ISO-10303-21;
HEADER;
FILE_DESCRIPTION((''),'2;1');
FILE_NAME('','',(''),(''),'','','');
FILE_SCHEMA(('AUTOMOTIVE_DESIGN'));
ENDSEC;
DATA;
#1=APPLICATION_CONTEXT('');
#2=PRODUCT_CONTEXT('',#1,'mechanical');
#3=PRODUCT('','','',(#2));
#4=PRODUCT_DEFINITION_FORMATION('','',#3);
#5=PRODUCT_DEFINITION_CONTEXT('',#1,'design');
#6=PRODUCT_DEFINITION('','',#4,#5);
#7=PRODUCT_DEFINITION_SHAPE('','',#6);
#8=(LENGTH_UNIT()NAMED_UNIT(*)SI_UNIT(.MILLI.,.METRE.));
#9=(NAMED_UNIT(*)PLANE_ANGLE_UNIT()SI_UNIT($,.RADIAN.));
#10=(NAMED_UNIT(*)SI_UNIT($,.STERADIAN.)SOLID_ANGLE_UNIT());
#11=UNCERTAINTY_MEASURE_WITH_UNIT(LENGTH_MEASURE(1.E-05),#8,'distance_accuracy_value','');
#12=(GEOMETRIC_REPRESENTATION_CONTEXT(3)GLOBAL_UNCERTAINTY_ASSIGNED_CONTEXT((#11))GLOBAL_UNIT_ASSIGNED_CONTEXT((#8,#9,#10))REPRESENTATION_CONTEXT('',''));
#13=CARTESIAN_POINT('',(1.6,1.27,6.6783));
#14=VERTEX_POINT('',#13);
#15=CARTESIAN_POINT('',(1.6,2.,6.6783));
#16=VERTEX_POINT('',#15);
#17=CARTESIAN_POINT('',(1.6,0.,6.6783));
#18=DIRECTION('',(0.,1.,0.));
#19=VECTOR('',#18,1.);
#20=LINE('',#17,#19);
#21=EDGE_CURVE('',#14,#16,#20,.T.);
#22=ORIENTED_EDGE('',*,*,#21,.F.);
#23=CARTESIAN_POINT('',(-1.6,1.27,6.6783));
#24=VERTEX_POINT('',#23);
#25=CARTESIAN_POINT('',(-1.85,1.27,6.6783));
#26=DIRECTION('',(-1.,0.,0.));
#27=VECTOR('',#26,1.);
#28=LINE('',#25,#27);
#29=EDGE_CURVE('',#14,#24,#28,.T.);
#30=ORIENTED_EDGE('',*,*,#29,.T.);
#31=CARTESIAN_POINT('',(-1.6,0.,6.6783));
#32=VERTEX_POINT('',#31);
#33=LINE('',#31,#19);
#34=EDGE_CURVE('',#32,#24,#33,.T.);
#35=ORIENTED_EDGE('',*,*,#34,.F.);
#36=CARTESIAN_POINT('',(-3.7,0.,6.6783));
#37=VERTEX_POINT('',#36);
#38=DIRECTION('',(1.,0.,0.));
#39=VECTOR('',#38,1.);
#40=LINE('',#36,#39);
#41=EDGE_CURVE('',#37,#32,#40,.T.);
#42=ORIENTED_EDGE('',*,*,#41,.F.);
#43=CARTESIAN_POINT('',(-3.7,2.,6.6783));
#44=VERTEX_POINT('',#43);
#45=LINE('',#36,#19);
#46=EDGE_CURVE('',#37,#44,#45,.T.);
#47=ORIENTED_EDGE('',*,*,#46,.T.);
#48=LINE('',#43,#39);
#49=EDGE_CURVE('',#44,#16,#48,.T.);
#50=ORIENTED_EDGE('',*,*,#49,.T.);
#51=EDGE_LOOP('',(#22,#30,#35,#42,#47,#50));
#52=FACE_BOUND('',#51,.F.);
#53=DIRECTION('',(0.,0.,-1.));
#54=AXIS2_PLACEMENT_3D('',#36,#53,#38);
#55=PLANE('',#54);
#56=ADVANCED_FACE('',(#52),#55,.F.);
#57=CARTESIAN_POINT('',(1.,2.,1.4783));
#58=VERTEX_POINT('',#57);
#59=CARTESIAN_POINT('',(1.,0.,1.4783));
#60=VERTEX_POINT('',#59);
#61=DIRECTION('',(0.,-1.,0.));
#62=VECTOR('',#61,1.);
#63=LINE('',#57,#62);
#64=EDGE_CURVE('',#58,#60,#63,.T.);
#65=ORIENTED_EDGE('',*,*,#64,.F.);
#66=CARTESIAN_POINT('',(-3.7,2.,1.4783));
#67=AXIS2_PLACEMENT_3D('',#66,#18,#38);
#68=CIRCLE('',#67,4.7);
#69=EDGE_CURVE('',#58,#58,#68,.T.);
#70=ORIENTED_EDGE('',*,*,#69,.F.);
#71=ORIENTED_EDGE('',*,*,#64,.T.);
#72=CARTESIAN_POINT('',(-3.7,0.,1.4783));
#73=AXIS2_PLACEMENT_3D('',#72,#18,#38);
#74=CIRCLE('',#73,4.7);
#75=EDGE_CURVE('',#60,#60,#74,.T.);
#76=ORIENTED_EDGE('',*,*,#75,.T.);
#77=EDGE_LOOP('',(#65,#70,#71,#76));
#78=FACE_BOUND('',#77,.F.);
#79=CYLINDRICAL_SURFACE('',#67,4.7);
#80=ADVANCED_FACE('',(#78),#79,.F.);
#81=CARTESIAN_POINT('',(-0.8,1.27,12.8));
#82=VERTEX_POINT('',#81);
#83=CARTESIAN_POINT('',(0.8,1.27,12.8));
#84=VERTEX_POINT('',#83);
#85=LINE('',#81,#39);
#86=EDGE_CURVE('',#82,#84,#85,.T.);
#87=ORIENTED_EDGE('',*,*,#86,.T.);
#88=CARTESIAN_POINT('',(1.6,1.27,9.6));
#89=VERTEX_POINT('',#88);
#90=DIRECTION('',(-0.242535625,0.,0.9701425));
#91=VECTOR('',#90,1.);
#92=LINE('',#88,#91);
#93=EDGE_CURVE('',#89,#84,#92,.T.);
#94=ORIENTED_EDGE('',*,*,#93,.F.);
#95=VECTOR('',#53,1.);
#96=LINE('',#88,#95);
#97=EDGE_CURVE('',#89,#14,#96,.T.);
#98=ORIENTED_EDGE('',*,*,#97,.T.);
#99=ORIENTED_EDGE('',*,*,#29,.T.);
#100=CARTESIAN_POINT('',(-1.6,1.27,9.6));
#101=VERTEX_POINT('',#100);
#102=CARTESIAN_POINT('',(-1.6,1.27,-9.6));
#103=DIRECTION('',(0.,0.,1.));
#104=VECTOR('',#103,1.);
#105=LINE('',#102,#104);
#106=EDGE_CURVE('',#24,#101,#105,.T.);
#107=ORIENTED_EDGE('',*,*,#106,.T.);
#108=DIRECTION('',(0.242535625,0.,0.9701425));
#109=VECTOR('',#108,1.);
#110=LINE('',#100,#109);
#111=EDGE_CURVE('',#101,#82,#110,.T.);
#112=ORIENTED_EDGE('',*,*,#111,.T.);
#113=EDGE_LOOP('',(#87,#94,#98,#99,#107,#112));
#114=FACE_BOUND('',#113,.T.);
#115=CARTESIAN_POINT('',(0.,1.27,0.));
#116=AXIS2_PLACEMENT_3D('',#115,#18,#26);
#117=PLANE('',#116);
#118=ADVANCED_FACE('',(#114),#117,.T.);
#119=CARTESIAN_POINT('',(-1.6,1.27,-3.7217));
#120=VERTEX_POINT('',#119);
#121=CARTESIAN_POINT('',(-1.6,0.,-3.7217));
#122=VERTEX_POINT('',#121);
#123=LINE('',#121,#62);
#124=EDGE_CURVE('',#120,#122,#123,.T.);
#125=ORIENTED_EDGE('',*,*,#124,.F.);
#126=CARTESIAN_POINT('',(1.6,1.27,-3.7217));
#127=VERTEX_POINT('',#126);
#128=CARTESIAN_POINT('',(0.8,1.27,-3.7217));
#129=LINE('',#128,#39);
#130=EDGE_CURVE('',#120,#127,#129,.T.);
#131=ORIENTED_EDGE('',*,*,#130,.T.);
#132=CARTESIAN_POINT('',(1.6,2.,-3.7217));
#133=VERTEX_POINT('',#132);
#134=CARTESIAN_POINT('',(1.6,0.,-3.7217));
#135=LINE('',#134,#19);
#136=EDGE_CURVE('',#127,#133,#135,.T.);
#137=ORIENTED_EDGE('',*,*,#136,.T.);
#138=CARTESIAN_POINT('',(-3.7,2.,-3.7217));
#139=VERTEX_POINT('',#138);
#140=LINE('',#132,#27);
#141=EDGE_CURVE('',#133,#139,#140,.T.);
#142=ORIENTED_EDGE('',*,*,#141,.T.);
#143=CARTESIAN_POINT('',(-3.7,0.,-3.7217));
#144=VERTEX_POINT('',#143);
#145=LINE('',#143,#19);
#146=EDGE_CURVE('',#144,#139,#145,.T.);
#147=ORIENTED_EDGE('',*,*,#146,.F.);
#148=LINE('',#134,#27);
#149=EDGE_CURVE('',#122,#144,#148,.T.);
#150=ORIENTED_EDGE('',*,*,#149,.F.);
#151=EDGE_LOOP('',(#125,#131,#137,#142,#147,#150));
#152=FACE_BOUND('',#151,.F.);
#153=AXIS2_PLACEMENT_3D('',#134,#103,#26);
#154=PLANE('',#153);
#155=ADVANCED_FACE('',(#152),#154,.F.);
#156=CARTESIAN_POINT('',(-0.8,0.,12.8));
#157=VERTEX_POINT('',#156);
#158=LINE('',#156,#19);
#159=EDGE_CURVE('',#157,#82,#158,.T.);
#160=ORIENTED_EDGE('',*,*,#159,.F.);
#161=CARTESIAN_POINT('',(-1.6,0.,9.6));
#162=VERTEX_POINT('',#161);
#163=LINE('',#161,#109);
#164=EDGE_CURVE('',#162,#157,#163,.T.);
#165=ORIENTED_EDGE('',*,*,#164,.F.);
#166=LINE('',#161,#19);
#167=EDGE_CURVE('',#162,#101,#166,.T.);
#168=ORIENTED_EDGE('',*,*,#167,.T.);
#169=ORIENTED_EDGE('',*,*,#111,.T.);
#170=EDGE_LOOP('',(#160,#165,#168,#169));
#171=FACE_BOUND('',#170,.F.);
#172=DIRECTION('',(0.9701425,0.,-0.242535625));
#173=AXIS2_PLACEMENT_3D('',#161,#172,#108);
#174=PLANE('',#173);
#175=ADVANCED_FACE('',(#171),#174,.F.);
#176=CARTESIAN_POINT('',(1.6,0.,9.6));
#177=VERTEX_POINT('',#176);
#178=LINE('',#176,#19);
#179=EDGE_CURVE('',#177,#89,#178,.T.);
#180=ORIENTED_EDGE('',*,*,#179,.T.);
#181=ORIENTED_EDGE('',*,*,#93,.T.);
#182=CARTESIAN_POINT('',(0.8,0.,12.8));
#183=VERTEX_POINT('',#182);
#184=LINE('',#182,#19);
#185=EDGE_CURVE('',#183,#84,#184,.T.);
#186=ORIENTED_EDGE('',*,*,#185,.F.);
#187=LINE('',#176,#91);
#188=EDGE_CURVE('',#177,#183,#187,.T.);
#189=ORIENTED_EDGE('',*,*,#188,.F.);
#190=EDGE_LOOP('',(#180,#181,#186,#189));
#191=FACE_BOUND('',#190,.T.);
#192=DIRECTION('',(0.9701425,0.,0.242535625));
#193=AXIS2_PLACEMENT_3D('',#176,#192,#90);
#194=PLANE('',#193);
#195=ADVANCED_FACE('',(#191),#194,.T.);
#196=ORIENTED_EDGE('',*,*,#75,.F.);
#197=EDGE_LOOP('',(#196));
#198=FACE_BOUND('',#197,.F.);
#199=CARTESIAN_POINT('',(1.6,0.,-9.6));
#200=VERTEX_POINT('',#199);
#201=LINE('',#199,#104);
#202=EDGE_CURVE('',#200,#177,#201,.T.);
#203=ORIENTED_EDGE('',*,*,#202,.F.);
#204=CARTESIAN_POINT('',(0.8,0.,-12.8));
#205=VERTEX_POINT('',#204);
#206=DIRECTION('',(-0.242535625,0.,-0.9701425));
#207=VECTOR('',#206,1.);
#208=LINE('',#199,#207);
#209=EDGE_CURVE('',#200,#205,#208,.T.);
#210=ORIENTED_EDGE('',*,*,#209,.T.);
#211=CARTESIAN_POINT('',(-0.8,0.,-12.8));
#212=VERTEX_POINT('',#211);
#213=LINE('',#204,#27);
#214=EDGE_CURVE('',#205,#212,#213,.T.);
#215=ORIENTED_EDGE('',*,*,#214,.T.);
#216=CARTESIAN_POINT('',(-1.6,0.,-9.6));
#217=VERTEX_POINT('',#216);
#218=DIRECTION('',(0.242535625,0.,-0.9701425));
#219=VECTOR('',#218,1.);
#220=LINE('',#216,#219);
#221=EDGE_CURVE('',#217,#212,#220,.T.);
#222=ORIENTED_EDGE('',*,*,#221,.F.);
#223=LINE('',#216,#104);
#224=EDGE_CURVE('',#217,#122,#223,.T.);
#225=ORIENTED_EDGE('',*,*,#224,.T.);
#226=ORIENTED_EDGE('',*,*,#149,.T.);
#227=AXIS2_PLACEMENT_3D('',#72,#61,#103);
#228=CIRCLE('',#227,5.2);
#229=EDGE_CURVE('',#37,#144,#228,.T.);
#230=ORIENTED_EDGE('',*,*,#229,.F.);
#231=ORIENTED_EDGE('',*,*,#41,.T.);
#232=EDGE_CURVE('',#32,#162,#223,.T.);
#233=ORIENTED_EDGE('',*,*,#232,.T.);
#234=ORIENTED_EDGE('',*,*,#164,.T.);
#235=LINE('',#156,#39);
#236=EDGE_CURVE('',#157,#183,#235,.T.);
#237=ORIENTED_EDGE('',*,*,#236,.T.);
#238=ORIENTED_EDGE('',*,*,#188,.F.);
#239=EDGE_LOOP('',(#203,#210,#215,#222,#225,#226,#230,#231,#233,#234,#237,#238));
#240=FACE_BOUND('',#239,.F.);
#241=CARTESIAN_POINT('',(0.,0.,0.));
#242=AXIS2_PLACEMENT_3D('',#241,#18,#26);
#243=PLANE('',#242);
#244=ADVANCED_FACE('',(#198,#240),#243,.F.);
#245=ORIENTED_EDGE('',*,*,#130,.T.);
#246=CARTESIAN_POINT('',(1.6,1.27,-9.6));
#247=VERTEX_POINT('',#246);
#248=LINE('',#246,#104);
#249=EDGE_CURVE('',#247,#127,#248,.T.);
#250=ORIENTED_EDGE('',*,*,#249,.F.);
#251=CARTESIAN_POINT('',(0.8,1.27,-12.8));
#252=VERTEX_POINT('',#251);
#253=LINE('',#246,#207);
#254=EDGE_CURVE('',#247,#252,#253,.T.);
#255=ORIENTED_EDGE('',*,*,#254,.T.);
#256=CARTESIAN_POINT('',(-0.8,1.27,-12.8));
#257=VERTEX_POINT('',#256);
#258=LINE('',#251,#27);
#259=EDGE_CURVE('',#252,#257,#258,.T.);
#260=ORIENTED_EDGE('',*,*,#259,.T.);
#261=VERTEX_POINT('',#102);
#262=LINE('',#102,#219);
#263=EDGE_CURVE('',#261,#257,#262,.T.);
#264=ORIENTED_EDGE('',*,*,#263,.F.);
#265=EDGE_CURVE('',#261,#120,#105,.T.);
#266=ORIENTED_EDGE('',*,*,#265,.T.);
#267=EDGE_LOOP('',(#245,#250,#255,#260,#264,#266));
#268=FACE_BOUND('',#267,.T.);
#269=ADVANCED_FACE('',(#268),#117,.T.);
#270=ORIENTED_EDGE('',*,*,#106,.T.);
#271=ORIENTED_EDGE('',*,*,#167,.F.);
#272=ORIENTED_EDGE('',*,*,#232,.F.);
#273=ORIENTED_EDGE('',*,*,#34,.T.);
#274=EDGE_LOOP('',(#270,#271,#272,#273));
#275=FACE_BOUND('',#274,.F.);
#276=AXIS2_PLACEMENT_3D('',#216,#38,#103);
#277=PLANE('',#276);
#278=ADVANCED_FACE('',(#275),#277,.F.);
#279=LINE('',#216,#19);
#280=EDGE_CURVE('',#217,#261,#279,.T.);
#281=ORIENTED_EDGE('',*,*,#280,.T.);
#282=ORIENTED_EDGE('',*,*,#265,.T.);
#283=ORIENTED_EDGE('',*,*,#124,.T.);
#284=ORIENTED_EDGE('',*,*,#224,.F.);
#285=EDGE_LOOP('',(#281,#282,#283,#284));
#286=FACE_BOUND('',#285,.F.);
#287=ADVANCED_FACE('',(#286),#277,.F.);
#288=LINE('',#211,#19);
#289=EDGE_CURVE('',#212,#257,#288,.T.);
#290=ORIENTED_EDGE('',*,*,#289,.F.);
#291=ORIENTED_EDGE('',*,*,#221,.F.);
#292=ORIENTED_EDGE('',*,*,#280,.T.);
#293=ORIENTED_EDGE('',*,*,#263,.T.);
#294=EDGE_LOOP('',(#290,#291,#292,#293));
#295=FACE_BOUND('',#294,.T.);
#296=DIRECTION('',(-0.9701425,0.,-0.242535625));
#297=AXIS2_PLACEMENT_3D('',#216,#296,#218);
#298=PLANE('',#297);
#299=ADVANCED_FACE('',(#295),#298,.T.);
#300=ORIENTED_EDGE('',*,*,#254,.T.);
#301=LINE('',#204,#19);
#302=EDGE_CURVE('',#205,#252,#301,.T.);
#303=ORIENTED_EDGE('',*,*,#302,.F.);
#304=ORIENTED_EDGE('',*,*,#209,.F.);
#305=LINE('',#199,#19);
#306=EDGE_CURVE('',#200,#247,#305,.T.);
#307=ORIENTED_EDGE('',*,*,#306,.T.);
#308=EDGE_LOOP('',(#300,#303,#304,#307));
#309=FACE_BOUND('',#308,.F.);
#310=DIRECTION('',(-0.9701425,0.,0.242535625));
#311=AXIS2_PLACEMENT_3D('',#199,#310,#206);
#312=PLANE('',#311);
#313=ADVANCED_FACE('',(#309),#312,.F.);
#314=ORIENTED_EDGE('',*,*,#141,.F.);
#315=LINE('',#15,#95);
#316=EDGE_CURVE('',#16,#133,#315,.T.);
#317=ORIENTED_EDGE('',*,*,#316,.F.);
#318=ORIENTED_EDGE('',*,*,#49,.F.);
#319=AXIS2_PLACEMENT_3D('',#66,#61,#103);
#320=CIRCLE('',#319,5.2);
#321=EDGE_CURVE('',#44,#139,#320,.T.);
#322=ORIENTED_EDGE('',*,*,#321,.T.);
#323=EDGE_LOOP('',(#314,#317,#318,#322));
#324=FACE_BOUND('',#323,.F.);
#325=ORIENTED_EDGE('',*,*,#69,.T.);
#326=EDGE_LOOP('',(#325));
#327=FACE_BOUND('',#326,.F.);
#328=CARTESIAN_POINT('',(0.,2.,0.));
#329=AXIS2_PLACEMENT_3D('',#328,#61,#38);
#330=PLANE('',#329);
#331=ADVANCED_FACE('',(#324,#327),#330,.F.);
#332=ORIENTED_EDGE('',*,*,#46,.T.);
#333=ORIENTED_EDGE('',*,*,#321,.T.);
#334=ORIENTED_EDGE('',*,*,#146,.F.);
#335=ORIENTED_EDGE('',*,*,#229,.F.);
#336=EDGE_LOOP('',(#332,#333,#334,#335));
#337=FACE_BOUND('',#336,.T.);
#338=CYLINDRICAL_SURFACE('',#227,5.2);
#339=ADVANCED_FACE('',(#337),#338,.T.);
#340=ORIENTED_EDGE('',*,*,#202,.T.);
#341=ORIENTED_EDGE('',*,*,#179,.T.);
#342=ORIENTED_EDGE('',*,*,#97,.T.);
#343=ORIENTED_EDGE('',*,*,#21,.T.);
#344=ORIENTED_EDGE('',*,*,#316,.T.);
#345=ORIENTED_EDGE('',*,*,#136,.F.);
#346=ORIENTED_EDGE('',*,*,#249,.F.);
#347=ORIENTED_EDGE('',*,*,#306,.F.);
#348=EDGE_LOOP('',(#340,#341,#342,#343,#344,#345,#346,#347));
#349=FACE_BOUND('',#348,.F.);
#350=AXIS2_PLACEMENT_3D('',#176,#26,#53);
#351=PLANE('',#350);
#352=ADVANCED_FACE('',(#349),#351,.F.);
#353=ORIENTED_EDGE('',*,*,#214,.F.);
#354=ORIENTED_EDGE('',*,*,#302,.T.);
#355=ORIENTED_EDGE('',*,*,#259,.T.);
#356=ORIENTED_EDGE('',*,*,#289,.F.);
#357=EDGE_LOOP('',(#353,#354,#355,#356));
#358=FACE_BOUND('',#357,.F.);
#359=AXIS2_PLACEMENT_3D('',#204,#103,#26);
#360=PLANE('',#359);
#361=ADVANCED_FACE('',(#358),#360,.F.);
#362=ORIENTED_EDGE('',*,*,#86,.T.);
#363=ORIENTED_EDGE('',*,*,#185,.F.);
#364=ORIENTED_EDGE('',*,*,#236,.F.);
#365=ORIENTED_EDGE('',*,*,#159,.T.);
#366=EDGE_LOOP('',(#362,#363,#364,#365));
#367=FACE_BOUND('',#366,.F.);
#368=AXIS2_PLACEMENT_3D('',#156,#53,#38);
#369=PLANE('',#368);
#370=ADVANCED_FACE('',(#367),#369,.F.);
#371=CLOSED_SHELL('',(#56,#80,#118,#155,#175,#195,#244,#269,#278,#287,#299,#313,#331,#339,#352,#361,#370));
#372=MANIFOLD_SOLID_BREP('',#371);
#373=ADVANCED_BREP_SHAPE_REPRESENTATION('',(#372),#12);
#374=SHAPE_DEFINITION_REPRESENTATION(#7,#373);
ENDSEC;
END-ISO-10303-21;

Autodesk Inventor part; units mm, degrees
ref_plane "YZ Plane" through (0, 0, 0) normal (1, 0, 0) x (0, 1, 0)
ref_plane "XZ Plane" through (0, 0, 0) normal (0, 1, 0) x (-1, 0, 0)
ref_plane "XY Plane" through (0, 0, 0) normal (0, 0, 1) x (1, 0, 0)
sketch "Sketch1" plane through (0, 0, 0) normal (0, 1, 0) x (-1, 0, 0)
  line L0 (0.8, 12.8) -> (-0.8, 12.8)
  line L1 (-1.6, 9.6) -> (-1.6, -9.6)
  line L2 (-0.8, -12.8) -> (0.8, -12.8)
  line L3 (1.6, -9.6) -> (1.6, 9.6)
  line L4 (1.6, 9.6) -> (0.8, 12.8)
  line L5 (-1.6, 9.6) -> (-0.8, 12.8)
  line L6 (1.6, -9.6) -> (0.8, -12.8)
  line L7 (-1.6, -9.6) -> (-0.8, -12.8)
  line L8 (-1.6, 6.2) -> (-1.6, -4.2)
  point P0 (0, 0)
  point P1 (1.6, 12.8)
  point P2 (-1.6, 12.8)
  point P3 (1.6, -12.8)
  dimension "d0" = 25.6
  dimension "d1" = 3.2
  dimension "d2" = 1.6
  dimension "d3" = 12.8
  dimension "d4" = 3.2
  dimension "d12" = 0
extrude "Extrusion1" add sketch "Sketch1" along normal blind 1.27
sketch "Sketch4" plane through (0, 0, 0) normal (0, -1, 0) x (1, 0, 0)
  line L0 (1.6, -3.7217) -> (-3.7, -3.7217)
  line L1 (-3.7, 6.6783) -> (1.6, 6.6783)
  line L2 (1.6, 6.6783) -> (1.6, -3.7217)
  line L3 (1.6, 9.6) -> (1.6, -9.6) projected
  arc A0 (-3.7, 6.6783) -> (-3.7, -3.7217) centre (-3.7, 1.4783) ccw
  point P0 (0, 0)
  dimension "d23" = 10.4
  dimension "d24" = 0
  dimension "d27" = 5.3
extrude "Extrusion2" add sketch "Sketch4" against normal blind 2
sketch "Sketch5" plane through (0, 2, 0) normal (0, 1, 0) x (1, 0, 0)
  circle A0 centre (-3.7, -1.4783) radius 4.7
  line L0 (1.6, -6.6783) -> (1.6, 3.7217) projected
  line L1 (-3.7, -6.6783) -> (1.6, -6.6783) projected
  point P0 (0, 0)
  dimension "d30" = 9.4
  dimension "d31" = 5.3
  dimension "d32" = 5.2
extrude "Extrusion3" cut sketch "Sketch5" against normal blind 2
properties part number "Headbar_D_Shape_unfinished"
